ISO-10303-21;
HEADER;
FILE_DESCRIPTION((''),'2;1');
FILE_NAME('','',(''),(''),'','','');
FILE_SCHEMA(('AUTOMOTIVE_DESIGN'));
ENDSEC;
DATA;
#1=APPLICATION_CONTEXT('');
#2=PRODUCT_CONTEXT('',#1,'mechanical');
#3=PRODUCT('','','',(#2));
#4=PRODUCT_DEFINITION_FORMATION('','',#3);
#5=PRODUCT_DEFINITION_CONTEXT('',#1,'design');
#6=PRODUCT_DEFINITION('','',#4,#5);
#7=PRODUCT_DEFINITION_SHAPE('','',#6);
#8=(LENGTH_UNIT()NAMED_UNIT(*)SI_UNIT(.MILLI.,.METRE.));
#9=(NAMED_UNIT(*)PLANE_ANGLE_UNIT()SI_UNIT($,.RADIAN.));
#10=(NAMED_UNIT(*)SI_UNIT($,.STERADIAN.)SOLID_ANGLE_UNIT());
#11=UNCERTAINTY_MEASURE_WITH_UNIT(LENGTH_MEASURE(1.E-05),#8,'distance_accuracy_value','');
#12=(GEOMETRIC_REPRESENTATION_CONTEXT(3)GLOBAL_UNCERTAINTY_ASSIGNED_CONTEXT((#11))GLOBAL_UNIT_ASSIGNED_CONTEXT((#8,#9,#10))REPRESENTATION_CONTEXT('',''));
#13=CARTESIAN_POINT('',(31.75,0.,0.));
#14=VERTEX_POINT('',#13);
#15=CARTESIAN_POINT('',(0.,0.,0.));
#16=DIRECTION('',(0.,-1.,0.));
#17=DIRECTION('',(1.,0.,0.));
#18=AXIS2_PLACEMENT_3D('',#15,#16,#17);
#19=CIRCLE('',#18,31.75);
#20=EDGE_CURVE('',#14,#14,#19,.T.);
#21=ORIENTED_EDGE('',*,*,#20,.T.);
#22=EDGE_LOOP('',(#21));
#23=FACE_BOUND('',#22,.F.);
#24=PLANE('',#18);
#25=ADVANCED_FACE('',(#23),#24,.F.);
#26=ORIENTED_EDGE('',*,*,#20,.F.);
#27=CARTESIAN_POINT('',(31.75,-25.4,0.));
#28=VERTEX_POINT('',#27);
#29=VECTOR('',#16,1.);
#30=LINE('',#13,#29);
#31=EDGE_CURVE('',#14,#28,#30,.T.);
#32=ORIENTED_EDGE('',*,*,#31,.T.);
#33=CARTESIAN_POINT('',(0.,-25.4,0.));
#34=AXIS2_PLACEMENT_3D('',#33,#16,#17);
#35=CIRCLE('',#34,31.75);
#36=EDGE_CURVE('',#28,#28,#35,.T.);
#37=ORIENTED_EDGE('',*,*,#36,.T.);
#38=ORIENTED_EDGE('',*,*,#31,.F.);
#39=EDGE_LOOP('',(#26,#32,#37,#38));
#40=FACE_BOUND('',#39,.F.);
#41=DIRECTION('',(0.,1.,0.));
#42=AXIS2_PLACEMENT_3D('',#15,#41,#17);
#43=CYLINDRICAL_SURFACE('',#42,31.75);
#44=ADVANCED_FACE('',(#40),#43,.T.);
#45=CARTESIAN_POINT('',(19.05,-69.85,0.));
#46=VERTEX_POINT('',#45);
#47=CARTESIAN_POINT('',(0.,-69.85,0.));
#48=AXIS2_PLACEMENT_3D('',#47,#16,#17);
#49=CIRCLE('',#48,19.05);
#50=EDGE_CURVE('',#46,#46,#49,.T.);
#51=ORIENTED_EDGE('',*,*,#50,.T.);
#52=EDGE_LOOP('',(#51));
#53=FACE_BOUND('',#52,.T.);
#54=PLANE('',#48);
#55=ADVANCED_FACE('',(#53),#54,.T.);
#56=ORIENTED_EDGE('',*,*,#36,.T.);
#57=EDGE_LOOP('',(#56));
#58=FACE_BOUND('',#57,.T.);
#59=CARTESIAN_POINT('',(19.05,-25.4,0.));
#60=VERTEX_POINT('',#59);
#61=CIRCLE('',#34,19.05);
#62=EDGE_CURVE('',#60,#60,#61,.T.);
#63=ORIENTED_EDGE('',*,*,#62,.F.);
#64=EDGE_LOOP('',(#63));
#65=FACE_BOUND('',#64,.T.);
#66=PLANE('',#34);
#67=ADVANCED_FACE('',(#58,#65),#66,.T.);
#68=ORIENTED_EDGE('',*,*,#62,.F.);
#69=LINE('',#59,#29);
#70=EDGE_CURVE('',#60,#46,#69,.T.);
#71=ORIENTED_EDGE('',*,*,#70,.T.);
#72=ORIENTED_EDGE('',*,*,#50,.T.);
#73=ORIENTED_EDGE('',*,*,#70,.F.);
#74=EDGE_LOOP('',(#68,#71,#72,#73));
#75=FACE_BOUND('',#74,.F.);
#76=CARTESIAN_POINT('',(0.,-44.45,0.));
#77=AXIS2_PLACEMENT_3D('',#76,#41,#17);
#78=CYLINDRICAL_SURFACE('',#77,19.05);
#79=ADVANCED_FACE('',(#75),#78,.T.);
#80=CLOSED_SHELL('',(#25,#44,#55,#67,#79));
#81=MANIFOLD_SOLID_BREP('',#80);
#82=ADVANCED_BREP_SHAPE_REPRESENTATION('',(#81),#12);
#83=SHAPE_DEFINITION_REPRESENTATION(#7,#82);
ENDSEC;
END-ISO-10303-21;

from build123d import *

# Parameters (mm, degrees)
F0_R     = 19.05
F1_DEPTH = 44.45
F0_R_2   = 31.75
F2_DEPTH = 25.4
F3_DEPTH = 25.4


with BuildPart() as f1:
    # F0 (on Front) → F1 (new body)
    with BuildSketch(Plane.XZ):
        Circle(F0_R)
    extrude(amount=F1_DEPTH)

    # F0 (on Front) → F2 (join)
    with BuildSketch(Plane.XZ):
        Circle(F0_R_2)
        Circle(F0_R, mode=Mode.SUBTRACT)
    extrude(amount=F2_DEPTH)

    # F3 (add): a face of the model
    f3_faces = [f1.faces().sort_by_distance(p)[0] for p in [
        (0, -44.45, 0),
    ]]
    extrude(f3_faces, amount=F3_DEPTH)


solid = f1.part
